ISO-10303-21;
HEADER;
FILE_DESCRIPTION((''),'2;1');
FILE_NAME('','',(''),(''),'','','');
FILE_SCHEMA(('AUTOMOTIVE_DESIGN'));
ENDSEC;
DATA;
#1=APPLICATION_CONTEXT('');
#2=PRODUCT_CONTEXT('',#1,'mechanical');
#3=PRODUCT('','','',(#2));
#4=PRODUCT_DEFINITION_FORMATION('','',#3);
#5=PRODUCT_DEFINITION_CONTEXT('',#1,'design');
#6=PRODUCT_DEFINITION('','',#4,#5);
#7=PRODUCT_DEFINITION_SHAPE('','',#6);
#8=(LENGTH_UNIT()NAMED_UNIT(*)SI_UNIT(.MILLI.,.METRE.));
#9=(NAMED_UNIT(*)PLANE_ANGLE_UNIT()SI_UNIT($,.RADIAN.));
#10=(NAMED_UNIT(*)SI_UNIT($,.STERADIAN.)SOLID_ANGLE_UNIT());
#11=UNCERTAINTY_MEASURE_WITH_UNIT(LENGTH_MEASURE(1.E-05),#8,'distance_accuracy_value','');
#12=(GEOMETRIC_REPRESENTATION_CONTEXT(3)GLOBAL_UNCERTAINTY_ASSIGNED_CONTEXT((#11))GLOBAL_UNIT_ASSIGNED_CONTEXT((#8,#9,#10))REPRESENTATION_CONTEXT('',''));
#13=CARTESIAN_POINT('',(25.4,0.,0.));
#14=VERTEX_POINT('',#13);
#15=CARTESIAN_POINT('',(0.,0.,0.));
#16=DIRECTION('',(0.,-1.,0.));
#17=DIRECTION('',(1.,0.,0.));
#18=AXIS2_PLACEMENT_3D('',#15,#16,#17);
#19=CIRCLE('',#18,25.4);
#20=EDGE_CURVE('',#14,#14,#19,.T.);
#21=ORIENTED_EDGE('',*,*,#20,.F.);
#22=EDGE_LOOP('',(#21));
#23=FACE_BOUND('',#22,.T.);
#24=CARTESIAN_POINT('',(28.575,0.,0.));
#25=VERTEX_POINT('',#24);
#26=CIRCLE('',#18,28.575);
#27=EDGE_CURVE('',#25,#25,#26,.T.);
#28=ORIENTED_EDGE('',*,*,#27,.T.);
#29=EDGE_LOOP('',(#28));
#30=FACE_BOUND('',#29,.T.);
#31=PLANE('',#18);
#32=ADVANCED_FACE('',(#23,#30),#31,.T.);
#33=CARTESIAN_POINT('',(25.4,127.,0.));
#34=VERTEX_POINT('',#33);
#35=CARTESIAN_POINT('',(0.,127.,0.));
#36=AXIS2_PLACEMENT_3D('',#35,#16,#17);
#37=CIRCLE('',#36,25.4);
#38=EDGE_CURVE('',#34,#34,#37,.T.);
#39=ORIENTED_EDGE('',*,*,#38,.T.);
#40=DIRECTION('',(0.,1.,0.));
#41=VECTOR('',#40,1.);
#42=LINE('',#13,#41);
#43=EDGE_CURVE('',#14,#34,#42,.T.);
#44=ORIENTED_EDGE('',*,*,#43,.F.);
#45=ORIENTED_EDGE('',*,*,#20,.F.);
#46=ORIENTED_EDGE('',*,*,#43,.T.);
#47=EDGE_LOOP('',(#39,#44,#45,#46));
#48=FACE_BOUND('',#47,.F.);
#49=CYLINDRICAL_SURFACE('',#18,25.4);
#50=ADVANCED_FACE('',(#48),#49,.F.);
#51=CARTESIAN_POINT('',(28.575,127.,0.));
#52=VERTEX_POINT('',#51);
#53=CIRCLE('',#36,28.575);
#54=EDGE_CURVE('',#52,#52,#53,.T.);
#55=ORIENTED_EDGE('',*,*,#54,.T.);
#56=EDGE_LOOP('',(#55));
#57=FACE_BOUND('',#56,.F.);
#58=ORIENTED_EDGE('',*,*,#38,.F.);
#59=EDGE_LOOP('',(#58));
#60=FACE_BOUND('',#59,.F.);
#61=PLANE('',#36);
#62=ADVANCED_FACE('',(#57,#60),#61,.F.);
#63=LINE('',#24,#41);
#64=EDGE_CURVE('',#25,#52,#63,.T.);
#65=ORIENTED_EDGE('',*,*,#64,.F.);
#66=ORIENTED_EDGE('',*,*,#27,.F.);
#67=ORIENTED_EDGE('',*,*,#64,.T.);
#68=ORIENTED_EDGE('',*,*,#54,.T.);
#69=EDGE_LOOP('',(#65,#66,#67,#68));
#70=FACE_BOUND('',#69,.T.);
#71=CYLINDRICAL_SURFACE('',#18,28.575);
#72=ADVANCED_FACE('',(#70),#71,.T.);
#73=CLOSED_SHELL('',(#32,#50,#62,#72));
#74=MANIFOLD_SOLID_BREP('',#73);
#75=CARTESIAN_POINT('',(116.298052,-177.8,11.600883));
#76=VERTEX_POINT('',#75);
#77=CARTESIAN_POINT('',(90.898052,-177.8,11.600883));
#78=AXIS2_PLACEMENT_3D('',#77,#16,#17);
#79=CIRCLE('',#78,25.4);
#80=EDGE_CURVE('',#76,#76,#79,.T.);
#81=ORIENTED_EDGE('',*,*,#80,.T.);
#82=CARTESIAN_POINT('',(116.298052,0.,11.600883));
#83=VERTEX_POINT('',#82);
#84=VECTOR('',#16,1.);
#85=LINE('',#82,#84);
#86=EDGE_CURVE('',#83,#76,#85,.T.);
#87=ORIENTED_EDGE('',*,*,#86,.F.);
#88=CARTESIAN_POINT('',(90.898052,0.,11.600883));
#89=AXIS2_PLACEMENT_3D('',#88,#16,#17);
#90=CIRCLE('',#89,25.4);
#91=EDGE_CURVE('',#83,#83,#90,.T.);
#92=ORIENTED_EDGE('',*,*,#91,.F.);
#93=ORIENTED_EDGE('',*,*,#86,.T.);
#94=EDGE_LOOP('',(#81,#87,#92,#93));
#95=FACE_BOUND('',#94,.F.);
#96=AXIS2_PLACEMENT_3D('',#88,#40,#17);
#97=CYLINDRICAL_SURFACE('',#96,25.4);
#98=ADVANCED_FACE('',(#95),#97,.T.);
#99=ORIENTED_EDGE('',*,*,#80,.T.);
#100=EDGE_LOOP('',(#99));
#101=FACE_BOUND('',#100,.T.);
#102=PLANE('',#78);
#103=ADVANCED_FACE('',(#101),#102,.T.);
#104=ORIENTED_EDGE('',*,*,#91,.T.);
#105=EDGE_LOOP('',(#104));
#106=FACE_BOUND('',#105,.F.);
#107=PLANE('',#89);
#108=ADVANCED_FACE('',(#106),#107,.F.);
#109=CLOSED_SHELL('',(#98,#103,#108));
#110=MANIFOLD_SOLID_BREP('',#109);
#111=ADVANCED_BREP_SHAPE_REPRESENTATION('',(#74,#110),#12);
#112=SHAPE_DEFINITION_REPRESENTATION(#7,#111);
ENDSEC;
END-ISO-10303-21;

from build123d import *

# Parameters (mm, degrees)
F0_R     = 28.575
F0_R_2   = 25.4
F1_DEPTH = 127
F2_R     = 25.4
F3_DEPTH = 177.8


with BuildPart() as f1:
    # F0 (on Front) → F1 (new body)
    with BuildSketch(Plane.XZ):
        Circle(F0_R)
        Circle(F0_R_2, mode=Mode.SUBTRACT)
    extrude(amount=-F1_DEPTH)


with BuildPart() as f3:
    # F2 (on Front) → F3 (new body)
    with BuildSketch(Plane.XZ):
        with Locations((90.898052, 11.600883)):
            Circle(F2_R)
    extrude(amount=F3_DEPTH)


solid = Compound([f1.part, f3.part])
